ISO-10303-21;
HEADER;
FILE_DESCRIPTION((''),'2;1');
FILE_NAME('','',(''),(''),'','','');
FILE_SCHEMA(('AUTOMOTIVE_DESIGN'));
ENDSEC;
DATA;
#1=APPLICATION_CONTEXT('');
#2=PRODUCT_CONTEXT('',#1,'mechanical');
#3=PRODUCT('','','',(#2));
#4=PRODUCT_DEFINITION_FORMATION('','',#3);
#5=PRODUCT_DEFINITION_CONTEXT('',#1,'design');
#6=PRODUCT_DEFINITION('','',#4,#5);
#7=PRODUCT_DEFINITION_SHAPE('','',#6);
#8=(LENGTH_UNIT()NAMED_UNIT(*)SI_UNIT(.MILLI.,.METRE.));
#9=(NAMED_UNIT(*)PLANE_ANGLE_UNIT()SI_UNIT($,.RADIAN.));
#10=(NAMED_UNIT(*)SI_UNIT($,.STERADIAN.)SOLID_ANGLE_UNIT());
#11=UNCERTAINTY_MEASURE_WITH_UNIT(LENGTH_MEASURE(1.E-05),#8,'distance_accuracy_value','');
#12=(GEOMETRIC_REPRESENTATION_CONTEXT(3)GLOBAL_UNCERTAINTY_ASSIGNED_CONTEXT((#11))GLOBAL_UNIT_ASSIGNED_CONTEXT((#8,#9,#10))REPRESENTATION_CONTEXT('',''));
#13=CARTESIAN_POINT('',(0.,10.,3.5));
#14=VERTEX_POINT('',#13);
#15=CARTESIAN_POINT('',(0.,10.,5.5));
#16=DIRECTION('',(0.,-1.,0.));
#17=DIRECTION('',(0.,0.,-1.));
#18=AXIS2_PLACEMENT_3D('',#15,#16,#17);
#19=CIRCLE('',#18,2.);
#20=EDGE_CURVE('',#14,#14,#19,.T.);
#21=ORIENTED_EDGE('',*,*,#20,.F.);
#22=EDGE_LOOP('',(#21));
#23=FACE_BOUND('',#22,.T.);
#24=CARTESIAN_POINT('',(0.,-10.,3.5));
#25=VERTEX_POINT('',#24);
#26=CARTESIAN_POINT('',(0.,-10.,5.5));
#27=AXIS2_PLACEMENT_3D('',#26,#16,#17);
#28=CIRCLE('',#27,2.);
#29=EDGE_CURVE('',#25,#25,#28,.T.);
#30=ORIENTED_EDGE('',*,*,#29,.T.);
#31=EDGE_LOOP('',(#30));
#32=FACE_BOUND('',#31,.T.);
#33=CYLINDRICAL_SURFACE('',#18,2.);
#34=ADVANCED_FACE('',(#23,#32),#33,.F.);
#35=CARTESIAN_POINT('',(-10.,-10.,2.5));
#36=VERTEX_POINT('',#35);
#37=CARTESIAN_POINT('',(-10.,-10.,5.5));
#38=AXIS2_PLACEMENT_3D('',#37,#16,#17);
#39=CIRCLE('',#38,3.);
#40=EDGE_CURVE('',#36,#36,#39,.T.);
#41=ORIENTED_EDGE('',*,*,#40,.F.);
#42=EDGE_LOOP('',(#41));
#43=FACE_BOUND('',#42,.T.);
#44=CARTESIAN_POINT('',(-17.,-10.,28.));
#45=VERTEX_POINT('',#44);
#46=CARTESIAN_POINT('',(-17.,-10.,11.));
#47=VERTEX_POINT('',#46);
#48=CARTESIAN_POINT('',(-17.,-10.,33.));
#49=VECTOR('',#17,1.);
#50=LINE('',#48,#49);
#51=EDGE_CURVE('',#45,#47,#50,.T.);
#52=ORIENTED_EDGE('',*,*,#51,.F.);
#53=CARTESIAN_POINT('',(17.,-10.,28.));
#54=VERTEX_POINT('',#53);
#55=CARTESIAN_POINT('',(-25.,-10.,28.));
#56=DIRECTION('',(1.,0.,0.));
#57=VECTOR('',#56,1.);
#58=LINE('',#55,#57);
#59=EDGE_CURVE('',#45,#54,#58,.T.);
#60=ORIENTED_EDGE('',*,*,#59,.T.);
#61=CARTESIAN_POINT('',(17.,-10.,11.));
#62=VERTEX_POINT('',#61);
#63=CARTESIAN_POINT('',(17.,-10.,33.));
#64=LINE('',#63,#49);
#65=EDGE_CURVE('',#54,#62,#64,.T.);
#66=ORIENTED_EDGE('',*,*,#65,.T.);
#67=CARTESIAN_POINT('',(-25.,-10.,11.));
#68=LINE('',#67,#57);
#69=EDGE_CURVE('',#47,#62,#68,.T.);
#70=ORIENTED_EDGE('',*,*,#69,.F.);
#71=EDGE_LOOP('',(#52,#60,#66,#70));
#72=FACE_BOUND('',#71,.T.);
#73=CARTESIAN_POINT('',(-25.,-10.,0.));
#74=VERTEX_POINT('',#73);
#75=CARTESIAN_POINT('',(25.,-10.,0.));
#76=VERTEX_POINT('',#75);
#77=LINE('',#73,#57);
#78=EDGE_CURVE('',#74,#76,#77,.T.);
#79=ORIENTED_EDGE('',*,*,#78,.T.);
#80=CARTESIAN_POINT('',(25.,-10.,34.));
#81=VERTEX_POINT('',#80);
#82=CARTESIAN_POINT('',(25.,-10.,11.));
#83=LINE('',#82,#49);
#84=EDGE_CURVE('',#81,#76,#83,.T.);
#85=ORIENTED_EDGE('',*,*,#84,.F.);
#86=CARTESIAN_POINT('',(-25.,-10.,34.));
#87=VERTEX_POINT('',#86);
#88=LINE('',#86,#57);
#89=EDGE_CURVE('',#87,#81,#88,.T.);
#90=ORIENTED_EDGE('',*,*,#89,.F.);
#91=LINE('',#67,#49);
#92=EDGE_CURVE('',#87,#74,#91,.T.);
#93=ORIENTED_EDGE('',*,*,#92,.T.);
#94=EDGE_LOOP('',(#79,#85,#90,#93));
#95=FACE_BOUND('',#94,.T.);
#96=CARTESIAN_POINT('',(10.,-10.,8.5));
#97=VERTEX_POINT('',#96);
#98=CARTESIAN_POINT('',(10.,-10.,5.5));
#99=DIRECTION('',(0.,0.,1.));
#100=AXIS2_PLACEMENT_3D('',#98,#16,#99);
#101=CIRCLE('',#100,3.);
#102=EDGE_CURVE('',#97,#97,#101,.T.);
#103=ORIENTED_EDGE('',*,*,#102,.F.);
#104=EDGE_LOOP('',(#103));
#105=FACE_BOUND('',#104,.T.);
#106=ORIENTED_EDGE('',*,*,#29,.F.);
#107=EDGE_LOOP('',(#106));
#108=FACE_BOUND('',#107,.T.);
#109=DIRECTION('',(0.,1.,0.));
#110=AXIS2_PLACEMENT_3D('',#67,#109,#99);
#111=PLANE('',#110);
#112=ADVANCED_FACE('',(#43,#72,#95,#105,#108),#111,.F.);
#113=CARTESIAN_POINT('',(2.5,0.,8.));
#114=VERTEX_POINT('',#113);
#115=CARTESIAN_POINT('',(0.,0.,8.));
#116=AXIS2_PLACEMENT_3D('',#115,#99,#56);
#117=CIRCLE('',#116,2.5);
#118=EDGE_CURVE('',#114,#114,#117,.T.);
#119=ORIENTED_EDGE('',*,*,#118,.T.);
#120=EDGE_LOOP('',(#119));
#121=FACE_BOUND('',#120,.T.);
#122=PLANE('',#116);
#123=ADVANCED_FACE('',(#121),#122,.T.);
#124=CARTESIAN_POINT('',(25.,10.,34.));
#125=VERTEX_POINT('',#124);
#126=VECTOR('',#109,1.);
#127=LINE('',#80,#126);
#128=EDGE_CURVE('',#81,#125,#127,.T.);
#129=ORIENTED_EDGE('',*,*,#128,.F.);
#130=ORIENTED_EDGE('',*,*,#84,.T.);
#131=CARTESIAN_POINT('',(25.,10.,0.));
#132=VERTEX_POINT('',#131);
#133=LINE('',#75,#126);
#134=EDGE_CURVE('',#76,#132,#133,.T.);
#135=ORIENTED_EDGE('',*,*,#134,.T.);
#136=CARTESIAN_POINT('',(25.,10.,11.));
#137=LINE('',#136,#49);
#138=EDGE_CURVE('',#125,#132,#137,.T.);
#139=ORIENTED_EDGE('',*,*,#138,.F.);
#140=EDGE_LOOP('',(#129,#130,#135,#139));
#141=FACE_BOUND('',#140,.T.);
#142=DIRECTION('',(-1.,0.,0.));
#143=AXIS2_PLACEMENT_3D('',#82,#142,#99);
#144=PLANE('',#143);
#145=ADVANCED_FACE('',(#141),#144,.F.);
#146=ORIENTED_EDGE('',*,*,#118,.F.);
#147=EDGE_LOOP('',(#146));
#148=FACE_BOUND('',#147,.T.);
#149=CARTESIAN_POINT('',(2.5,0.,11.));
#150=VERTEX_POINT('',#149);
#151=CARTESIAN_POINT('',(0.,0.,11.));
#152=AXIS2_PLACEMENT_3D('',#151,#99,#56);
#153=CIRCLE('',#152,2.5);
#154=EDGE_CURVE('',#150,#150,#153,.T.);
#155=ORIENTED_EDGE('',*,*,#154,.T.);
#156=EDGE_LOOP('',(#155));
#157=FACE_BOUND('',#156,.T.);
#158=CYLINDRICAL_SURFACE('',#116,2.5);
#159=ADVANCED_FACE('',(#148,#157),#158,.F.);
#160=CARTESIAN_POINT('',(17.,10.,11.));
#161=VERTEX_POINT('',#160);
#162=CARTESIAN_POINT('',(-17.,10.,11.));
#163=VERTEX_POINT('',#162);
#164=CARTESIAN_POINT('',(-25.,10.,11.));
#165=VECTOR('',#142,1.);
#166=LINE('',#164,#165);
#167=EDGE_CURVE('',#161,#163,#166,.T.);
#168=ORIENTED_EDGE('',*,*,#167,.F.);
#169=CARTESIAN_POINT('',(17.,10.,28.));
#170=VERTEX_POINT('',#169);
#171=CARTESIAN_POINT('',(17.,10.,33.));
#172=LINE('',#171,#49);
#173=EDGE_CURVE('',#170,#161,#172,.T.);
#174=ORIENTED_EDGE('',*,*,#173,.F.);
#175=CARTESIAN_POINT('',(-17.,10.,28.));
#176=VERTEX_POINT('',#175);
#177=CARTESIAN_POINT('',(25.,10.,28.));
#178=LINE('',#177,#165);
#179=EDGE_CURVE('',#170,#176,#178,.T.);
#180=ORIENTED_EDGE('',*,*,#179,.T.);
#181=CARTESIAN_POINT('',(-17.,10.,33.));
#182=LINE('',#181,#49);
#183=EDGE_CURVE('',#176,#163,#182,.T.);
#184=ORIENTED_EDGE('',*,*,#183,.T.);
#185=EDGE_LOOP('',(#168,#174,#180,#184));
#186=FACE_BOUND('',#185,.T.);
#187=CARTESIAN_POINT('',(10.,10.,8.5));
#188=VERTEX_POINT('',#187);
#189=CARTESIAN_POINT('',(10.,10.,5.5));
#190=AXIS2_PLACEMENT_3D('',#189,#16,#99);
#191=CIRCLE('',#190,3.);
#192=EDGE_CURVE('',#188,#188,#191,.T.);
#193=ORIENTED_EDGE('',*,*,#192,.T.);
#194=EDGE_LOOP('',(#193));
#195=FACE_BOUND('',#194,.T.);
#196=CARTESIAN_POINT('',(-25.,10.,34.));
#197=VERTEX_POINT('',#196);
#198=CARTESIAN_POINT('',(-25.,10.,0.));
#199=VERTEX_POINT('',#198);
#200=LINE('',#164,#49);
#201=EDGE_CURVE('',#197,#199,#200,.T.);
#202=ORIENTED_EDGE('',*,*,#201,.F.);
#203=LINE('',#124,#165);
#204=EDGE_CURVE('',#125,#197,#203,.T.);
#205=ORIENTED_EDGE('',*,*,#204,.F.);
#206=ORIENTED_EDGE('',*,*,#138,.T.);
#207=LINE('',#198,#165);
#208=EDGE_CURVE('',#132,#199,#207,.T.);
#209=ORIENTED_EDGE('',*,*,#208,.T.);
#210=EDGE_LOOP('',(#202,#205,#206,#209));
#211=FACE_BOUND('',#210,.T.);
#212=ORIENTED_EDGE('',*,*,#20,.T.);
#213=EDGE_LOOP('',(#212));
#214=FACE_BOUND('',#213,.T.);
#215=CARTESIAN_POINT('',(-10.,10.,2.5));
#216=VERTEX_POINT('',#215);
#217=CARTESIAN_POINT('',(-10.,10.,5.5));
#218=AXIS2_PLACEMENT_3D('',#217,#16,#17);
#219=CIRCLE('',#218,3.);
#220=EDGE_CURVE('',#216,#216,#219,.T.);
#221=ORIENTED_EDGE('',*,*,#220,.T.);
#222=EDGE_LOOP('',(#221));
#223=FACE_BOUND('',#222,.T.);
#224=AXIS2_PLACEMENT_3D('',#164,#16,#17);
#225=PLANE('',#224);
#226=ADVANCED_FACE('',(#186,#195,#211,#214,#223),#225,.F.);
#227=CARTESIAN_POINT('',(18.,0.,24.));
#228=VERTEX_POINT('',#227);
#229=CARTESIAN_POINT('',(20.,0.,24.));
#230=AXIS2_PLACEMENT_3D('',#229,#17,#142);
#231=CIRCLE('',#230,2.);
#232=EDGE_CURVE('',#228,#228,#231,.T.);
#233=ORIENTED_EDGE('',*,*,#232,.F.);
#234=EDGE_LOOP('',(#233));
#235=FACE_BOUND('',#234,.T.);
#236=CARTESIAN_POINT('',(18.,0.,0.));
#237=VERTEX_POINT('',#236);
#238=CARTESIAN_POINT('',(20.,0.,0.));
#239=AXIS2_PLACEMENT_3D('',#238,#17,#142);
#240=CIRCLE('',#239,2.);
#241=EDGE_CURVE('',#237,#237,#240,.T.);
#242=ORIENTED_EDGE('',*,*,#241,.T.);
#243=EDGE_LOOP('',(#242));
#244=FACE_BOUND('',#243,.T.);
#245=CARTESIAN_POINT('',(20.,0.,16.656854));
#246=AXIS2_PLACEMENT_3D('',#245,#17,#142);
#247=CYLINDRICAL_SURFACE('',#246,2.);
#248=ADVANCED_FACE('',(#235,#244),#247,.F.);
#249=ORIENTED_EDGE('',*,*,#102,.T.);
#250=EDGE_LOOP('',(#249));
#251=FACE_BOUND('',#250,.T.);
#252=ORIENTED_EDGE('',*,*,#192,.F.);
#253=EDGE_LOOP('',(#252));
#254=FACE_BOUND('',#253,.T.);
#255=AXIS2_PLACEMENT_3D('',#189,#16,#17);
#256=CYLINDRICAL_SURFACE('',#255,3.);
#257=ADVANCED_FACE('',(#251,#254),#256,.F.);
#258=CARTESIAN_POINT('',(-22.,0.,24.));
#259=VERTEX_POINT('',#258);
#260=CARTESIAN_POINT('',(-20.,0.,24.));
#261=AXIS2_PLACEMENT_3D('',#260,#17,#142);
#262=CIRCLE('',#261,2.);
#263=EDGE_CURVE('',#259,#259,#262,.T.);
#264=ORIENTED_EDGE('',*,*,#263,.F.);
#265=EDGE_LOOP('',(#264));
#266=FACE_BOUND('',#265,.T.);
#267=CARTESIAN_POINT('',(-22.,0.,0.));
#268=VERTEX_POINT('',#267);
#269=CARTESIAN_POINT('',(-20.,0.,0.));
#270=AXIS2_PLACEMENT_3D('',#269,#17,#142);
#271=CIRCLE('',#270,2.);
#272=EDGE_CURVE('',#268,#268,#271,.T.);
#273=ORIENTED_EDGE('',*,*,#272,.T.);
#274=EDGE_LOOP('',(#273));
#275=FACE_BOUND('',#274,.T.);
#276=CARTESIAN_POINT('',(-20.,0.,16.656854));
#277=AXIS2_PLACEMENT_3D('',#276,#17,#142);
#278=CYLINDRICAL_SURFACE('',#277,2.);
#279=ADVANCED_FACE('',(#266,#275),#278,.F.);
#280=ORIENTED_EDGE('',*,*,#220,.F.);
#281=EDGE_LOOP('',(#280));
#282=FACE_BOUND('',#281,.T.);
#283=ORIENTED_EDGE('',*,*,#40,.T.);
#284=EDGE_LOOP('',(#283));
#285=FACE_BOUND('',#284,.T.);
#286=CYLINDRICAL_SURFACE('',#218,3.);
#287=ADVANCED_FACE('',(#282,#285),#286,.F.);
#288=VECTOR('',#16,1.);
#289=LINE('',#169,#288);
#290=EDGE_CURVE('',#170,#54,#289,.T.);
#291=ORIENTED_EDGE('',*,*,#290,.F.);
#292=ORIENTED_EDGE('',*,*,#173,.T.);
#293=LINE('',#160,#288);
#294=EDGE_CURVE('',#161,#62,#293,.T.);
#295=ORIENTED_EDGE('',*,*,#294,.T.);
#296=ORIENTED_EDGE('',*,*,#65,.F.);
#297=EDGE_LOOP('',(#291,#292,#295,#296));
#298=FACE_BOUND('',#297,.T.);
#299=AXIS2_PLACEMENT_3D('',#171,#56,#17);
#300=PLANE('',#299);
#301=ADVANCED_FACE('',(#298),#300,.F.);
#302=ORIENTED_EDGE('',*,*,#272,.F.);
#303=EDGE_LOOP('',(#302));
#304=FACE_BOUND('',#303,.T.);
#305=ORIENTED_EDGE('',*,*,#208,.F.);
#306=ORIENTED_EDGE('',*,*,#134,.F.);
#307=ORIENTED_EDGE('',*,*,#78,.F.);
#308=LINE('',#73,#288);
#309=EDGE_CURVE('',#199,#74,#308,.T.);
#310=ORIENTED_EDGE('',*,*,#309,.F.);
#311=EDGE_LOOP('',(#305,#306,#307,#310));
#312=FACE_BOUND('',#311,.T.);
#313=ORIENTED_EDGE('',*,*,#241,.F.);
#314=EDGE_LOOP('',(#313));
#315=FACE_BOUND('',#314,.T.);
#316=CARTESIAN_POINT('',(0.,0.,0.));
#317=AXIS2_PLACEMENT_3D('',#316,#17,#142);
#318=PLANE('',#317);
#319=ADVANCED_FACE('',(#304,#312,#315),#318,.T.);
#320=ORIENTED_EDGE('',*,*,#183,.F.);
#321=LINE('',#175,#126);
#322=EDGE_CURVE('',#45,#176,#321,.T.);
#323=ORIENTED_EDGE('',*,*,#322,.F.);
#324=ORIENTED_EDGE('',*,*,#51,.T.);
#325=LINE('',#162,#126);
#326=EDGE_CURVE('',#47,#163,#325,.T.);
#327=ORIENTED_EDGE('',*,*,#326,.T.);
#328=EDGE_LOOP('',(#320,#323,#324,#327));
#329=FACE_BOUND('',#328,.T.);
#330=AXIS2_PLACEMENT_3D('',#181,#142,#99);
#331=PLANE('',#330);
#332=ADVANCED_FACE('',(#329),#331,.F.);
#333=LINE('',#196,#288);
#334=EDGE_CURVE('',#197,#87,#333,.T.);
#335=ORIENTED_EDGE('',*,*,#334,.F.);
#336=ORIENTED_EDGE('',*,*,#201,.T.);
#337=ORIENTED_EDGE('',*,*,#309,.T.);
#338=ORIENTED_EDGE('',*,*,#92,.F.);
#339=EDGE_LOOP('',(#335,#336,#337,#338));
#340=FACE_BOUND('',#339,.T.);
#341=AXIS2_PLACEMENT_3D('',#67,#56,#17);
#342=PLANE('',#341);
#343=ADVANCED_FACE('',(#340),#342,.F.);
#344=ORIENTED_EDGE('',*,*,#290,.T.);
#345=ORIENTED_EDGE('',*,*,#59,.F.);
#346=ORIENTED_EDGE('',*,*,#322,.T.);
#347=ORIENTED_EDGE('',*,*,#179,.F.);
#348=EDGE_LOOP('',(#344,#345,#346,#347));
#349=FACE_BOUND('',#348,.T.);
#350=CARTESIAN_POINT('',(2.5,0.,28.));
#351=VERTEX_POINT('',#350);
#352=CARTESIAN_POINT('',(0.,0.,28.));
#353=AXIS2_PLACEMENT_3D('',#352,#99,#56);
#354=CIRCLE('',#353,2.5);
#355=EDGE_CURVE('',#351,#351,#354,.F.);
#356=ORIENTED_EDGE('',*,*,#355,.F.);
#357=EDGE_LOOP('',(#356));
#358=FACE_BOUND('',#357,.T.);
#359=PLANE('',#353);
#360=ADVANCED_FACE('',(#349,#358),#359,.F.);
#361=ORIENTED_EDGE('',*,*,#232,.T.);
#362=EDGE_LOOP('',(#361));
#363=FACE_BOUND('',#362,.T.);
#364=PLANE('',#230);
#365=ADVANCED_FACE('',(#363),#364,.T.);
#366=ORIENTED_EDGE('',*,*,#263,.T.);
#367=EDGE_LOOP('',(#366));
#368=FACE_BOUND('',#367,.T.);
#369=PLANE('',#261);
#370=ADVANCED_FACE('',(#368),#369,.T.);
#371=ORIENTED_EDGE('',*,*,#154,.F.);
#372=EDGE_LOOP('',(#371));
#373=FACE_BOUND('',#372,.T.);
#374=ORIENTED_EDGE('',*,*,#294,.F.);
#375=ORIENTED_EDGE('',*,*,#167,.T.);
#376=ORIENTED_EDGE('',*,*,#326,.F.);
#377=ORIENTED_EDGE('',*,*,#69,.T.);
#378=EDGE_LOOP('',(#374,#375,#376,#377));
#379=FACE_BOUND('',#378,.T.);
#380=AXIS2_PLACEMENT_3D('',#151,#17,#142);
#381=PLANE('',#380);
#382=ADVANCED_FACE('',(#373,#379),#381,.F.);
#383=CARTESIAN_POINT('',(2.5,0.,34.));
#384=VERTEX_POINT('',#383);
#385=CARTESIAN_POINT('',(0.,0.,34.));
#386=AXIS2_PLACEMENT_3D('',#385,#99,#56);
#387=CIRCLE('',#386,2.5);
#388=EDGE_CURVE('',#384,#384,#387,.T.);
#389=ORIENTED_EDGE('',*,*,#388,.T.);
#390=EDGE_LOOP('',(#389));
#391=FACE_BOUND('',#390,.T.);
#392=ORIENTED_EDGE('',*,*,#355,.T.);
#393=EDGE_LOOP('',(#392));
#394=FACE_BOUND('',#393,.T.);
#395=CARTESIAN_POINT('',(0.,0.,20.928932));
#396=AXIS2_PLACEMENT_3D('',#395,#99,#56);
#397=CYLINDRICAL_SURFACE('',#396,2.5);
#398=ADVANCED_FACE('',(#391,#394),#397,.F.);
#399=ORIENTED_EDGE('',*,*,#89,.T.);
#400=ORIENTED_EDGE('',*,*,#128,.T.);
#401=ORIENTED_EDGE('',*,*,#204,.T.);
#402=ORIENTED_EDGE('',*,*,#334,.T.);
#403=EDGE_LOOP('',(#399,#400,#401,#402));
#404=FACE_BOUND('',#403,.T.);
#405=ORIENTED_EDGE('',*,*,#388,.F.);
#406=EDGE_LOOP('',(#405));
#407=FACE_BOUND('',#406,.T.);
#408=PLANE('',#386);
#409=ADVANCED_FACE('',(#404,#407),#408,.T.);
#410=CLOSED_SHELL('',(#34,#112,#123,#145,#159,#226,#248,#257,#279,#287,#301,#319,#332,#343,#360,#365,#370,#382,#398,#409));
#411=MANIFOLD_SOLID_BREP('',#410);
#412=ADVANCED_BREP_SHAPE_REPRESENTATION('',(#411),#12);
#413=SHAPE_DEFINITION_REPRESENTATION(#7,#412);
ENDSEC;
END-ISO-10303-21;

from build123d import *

# Parameters (mm, degrees)
SKETCH1_W                = 50
SKETCH1_H                = 20
BOSS_EXTRUDE1_DEPTH      = 11
SKETCH2_R                = 2
CUT_EXTRUDE1_DEPTH       = 11
SKETCH3_R                = 2
CUT_EXTRUDE2_DEPTH       = 21
SKETCH4_R                = 3
CUT_EXTRUDE3_DEPTH       = 21
SKETCH5_W                = 8
SKETCH5_H                = 20
BOSS_EXTRUDE2_DEPTH      = 22
SKETCH13_R               = 2.5
CUT_EXTRUDE6_DEPTH       = 3
SKETCH14_W               = 50
SKETCH14_H               = 20
BOSS_EXTRUDE4_DEPTH      = 1
BOSS_EXTRUDE4_DEPTH_BACK = 5
SKETCH15_R               = 2.5
CUT_EXTRUDE7_DEPTH       = 6
SKETCH18_R               = 2
CUT_EXTRUDE8_DEPTH       = 13


with BuildPart() as part:
    # Sketch1 → Boss-Extrude1 (new body)
    with BuildSketch(Plane.XY):
        Rectangle(SKETCH1_W, SKETCH1_H)
    extrude(amount=BOSS_EXTRUDE1_DEPTH)

    # Sketch2 → Cut-Extrude1 (cut)
    with BuildSketch(Plane(origin=(0, 0, 0), x_dir=(-1, 0, 0), z_dir=(0, 0, -1))):
        with Locations((-20, 0)):
            Circle(SKETCH2_R)
        with Locations((20, 0)):
            Circle(SKETCH2_R)
    extrude(amount=-CUT_EXTRUDE1_DEPTH, mode=Mode.SUBTRACT)

    # Sketch3 → Cut-Extrude2 (cut, through all)
    with BuildSketch(Plane.XZ.offset(10)):
        with Locations((0, 5.5)):
            Circle(SKETCH3_R)
    extrude(amount=-CUT_EXTRUDE2_DEPTH, mode=Mode.SUBTRACT)

    # Sketch4 → Cut-Extrude3 (cut, through all)
    with BuildSketch(Plane.XZ.offset(10)):
        with Locations((-10, 5.5)):
            Circle(SKETCH4_R)
        with Locations((10, 5.5)):
            Circle(SKETCH4_R)
    extrude(amount=-CUT_EXTRUDE3_DEPTH, mode=Mode.SUBTRACT)

    # Sketch5 → Boss-Extrude2 (add)
    with BuildSketch(Plane.XY.offset(11)):
        with Locations((-21, 0)):
            Rectangle(SKETCH5_W, SKETCH5_H)
        with Locations((21, 0)):
            Rectangle(SKETCH5_W, SKETCH5_H)
    extrude(amount=BOSS_EXTRUDE2_DEPTH)

    # Sketch13 → Cut-Extrude6 (cut)
    with BuildSketch(Plane.XY.offset(11)):
        Circle(SKETCH13_R)
    extrude(amount=-CUT_EXTRUDE6_DEPTH, mode=Mode.SUBTRACT)

    # Sketch14 → Boss-Extrude4 (add, two sides)
    with BuildSketch(Plane.XY.offset(33)) as boss_extrude4_sk:
        Rectangle(SKETCH14_W, SKETCH14_H)
    extrude(amount=BOSS_EXTRUDE4_DEPTH)
    extrude(boss_extrude4_sk.sketch, amount=-BOSS_EXTRUDE4_DEPTH_BACK)

    # Sketch15 → Cut-Extrude7 (cut)
    with BuildSketch(Plane.XY.offset(34)):
        Circle(SKETCH15_R)
    extrude(amount=-CUT_EXTRUDE7_DEPTH, mode=Mode.SUBTRACT)

    # Sketch18 → Cut-Extrude8 (cut)
    with BuildSketch(Plane(origin=(0, 0, 11), x_dir=(-1, 0, 0), z_dir=(0, 0, -1))):
        with Locations((-20, 0)):
            Circle(SKETCH18_R)
        with Locations((20, 0)):
            Circle(SKETCH18_R)
    extrude(amount=-CUT_EXTRUDE8_DEPTH, mode=Mode.SUBTRACT)


solid = part.part
